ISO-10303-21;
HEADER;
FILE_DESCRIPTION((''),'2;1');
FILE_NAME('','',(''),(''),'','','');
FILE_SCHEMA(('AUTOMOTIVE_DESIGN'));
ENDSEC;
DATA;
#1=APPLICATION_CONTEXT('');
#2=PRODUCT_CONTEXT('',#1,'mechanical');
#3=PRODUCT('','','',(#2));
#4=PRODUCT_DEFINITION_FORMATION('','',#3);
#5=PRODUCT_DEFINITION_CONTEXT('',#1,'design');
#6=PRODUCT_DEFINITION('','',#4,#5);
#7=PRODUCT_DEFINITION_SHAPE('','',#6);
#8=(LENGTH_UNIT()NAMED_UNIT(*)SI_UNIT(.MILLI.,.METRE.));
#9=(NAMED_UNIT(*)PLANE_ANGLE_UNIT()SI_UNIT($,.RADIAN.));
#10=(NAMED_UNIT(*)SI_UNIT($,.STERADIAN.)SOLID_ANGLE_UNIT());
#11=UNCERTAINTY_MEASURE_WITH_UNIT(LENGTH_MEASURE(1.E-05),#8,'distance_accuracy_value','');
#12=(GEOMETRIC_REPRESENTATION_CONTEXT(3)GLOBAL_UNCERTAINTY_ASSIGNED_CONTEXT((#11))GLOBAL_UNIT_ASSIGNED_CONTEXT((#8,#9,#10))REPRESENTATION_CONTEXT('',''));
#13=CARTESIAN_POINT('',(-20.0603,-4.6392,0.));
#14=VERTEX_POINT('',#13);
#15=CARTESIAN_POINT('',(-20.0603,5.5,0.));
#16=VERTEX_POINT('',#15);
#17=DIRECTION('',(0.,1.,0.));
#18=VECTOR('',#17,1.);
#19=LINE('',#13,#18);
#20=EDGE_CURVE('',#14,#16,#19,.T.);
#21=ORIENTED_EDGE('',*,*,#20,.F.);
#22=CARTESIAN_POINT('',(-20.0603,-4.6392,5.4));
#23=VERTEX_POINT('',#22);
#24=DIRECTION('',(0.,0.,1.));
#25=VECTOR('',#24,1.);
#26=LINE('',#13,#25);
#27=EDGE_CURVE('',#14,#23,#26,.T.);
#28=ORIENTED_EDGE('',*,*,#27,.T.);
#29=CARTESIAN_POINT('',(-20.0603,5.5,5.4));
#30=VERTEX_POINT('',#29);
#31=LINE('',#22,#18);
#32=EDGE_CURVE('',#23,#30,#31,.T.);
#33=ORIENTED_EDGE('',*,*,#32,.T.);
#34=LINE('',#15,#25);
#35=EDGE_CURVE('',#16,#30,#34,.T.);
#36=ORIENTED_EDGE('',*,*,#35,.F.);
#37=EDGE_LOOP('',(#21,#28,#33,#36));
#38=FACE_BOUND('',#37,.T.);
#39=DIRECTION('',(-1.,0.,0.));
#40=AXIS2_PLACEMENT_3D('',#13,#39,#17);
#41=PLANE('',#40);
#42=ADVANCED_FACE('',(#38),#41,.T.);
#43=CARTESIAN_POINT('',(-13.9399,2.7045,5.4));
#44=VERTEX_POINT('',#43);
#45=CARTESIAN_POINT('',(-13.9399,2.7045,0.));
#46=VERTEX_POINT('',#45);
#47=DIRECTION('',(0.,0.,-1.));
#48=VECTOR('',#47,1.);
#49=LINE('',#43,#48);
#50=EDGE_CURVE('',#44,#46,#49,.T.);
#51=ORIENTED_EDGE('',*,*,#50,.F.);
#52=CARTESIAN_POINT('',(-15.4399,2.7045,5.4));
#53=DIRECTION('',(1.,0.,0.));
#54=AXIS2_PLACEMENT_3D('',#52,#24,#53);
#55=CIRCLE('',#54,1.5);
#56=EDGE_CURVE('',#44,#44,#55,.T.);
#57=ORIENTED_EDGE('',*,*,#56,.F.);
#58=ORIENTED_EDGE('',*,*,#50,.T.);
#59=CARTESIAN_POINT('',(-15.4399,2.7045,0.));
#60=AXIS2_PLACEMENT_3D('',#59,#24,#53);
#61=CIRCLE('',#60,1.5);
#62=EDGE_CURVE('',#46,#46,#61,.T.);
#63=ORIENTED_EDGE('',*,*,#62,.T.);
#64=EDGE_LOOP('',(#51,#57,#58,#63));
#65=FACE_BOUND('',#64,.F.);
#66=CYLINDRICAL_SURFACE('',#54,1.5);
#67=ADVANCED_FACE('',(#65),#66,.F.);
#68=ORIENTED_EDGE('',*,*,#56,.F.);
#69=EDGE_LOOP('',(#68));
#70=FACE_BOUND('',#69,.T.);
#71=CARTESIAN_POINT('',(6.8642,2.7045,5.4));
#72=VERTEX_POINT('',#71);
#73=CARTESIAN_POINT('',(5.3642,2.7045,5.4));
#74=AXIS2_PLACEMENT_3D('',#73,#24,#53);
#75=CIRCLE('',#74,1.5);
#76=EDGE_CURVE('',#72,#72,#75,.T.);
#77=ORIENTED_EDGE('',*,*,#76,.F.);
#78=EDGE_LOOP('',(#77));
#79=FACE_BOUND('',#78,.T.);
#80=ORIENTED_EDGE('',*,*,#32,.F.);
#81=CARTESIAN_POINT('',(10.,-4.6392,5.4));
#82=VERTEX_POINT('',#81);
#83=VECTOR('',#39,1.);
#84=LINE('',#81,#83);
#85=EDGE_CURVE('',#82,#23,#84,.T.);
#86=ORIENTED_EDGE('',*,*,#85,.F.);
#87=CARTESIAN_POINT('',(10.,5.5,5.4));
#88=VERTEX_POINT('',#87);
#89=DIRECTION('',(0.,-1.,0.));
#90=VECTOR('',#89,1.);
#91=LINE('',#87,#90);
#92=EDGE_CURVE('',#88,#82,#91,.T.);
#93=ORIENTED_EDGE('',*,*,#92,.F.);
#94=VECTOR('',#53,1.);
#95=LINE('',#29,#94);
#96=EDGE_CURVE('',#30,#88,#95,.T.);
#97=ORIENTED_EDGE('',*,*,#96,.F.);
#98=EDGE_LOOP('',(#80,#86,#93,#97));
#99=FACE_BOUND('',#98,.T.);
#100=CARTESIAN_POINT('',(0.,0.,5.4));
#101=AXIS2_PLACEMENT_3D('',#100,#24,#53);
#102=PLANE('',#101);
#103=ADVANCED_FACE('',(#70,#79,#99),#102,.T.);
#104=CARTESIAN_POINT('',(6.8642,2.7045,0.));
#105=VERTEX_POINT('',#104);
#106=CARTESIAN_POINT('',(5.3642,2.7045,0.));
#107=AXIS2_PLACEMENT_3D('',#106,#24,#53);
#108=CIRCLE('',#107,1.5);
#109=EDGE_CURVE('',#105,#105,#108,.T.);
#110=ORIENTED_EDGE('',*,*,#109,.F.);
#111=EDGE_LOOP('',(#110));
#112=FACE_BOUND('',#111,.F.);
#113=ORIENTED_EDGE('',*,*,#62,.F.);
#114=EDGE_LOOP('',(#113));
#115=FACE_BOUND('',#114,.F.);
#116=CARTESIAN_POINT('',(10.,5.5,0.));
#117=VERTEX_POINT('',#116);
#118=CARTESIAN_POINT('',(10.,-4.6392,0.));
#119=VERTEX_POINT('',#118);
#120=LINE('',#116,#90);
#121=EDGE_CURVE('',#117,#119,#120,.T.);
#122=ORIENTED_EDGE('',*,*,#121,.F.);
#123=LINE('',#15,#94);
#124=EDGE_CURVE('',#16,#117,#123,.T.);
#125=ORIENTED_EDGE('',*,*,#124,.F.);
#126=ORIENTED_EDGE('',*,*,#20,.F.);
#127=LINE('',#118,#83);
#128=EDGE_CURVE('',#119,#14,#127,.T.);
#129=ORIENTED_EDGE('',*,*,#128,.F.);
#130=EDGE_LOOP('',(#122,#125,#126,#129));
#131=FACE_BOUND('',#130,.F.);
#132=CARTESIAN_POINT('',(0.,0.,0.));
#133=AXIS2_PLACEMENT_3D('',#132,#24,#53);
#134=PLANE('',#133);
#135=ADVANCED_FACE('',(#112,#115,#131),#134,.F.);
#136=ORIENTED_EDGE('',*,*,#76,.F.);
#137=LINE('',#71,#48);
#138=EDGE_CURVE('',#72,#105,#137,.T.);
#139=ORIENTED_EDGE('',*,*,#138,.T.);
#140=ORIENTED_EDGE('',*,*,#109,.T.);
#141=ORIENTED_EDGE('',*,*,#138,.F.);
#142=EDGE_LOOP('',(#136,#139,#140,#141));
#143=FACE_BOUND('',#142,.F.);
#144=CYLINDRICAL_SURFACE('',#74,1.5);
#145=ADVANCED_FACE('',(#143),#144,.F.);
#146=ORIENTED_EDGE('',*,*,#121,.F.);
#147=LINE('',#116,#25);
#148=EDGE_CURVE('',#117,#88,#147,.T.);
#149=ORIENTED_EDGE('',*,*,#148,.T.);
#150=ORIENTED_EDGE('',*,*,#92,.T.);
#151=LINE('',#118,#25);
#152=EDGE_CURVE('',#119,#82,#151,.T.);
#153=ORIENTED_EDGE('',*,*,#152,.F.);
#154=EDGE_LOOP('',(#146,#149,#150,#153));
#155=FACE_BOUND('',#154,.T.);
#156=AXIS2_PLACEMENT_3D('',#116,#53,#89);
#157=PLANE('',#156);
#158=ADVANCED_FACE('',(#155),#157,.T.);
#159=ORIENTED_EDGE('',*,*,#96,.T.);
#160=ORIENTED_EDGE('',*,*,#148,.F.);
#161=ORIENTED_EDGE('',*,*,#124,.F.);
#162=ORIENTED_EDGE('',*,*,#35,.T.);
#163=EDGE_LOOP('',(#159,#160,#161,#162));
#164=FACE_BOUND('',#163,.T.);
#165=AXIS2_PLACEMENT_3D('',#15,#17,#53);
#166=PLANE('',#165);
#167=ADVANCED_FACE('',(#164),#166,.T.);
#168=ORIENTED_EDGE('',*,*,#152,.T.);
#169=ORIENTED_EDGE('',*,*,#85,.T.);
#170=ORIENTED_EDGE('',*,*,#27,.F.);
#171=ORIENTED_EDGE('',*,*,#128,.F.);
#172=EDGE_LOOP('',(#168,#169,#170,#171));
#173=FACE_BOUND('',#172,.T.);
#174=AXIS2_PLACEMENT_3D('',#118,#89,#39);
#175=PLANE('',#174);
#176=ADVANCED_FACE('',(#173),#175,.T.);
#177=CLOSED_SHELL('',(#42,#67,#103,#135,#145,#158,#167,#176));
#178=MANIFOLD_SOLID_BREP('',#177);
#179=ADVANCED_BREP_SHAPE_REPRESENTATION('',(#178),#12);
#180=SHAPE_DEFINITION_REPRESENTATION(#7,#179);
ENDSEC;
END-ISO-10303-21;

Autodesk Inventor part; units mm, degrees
ref_plane "YZ Plane" through (0, 0, 0) normal (1, 0, 0) x (0, 1, 0)
ref_plane "XZ Plane" through (0, 0, 0) normal (0, 1, 0) x (-1, 0, 0)
ref_plane "XY Plane" through (0, 0, 0) normal (0, 0, 1) x (1, 0, 0)
sketch "草图1" plane through (0, 0, 0) normal (0, 0, 1) x (1, 0, 0)
  line L0 (10, -4.6392) -> (-20.0603, -4.6392)
  line L1 (-20.0603, -4.6392) -> (-20.0603, 5.5)
  line L2 (-20.0603, 5.5) -> (10, 5.5)
  line L3 (10, 5.5) -> (10, -4.6392)
  point P0 (0, 0)
  dimension "d7" = 10.1392
extrude "拉伸1" add sketch "草图1" along normal blind 5.4
sketch "草图2" plane through (0, 0, 5.4) normal (0, 0, 1) x (1, 0, 0)
  circle A0 centre (5.3642, 2.7045) radius 1.5 projected
  circle A1 centre (-15.4399, 2.7045) radius 1.5 projected
extrude "拉伸2" cut sketch "草图2" against normal blind 21.65
properties part number "攻单夹片1"
